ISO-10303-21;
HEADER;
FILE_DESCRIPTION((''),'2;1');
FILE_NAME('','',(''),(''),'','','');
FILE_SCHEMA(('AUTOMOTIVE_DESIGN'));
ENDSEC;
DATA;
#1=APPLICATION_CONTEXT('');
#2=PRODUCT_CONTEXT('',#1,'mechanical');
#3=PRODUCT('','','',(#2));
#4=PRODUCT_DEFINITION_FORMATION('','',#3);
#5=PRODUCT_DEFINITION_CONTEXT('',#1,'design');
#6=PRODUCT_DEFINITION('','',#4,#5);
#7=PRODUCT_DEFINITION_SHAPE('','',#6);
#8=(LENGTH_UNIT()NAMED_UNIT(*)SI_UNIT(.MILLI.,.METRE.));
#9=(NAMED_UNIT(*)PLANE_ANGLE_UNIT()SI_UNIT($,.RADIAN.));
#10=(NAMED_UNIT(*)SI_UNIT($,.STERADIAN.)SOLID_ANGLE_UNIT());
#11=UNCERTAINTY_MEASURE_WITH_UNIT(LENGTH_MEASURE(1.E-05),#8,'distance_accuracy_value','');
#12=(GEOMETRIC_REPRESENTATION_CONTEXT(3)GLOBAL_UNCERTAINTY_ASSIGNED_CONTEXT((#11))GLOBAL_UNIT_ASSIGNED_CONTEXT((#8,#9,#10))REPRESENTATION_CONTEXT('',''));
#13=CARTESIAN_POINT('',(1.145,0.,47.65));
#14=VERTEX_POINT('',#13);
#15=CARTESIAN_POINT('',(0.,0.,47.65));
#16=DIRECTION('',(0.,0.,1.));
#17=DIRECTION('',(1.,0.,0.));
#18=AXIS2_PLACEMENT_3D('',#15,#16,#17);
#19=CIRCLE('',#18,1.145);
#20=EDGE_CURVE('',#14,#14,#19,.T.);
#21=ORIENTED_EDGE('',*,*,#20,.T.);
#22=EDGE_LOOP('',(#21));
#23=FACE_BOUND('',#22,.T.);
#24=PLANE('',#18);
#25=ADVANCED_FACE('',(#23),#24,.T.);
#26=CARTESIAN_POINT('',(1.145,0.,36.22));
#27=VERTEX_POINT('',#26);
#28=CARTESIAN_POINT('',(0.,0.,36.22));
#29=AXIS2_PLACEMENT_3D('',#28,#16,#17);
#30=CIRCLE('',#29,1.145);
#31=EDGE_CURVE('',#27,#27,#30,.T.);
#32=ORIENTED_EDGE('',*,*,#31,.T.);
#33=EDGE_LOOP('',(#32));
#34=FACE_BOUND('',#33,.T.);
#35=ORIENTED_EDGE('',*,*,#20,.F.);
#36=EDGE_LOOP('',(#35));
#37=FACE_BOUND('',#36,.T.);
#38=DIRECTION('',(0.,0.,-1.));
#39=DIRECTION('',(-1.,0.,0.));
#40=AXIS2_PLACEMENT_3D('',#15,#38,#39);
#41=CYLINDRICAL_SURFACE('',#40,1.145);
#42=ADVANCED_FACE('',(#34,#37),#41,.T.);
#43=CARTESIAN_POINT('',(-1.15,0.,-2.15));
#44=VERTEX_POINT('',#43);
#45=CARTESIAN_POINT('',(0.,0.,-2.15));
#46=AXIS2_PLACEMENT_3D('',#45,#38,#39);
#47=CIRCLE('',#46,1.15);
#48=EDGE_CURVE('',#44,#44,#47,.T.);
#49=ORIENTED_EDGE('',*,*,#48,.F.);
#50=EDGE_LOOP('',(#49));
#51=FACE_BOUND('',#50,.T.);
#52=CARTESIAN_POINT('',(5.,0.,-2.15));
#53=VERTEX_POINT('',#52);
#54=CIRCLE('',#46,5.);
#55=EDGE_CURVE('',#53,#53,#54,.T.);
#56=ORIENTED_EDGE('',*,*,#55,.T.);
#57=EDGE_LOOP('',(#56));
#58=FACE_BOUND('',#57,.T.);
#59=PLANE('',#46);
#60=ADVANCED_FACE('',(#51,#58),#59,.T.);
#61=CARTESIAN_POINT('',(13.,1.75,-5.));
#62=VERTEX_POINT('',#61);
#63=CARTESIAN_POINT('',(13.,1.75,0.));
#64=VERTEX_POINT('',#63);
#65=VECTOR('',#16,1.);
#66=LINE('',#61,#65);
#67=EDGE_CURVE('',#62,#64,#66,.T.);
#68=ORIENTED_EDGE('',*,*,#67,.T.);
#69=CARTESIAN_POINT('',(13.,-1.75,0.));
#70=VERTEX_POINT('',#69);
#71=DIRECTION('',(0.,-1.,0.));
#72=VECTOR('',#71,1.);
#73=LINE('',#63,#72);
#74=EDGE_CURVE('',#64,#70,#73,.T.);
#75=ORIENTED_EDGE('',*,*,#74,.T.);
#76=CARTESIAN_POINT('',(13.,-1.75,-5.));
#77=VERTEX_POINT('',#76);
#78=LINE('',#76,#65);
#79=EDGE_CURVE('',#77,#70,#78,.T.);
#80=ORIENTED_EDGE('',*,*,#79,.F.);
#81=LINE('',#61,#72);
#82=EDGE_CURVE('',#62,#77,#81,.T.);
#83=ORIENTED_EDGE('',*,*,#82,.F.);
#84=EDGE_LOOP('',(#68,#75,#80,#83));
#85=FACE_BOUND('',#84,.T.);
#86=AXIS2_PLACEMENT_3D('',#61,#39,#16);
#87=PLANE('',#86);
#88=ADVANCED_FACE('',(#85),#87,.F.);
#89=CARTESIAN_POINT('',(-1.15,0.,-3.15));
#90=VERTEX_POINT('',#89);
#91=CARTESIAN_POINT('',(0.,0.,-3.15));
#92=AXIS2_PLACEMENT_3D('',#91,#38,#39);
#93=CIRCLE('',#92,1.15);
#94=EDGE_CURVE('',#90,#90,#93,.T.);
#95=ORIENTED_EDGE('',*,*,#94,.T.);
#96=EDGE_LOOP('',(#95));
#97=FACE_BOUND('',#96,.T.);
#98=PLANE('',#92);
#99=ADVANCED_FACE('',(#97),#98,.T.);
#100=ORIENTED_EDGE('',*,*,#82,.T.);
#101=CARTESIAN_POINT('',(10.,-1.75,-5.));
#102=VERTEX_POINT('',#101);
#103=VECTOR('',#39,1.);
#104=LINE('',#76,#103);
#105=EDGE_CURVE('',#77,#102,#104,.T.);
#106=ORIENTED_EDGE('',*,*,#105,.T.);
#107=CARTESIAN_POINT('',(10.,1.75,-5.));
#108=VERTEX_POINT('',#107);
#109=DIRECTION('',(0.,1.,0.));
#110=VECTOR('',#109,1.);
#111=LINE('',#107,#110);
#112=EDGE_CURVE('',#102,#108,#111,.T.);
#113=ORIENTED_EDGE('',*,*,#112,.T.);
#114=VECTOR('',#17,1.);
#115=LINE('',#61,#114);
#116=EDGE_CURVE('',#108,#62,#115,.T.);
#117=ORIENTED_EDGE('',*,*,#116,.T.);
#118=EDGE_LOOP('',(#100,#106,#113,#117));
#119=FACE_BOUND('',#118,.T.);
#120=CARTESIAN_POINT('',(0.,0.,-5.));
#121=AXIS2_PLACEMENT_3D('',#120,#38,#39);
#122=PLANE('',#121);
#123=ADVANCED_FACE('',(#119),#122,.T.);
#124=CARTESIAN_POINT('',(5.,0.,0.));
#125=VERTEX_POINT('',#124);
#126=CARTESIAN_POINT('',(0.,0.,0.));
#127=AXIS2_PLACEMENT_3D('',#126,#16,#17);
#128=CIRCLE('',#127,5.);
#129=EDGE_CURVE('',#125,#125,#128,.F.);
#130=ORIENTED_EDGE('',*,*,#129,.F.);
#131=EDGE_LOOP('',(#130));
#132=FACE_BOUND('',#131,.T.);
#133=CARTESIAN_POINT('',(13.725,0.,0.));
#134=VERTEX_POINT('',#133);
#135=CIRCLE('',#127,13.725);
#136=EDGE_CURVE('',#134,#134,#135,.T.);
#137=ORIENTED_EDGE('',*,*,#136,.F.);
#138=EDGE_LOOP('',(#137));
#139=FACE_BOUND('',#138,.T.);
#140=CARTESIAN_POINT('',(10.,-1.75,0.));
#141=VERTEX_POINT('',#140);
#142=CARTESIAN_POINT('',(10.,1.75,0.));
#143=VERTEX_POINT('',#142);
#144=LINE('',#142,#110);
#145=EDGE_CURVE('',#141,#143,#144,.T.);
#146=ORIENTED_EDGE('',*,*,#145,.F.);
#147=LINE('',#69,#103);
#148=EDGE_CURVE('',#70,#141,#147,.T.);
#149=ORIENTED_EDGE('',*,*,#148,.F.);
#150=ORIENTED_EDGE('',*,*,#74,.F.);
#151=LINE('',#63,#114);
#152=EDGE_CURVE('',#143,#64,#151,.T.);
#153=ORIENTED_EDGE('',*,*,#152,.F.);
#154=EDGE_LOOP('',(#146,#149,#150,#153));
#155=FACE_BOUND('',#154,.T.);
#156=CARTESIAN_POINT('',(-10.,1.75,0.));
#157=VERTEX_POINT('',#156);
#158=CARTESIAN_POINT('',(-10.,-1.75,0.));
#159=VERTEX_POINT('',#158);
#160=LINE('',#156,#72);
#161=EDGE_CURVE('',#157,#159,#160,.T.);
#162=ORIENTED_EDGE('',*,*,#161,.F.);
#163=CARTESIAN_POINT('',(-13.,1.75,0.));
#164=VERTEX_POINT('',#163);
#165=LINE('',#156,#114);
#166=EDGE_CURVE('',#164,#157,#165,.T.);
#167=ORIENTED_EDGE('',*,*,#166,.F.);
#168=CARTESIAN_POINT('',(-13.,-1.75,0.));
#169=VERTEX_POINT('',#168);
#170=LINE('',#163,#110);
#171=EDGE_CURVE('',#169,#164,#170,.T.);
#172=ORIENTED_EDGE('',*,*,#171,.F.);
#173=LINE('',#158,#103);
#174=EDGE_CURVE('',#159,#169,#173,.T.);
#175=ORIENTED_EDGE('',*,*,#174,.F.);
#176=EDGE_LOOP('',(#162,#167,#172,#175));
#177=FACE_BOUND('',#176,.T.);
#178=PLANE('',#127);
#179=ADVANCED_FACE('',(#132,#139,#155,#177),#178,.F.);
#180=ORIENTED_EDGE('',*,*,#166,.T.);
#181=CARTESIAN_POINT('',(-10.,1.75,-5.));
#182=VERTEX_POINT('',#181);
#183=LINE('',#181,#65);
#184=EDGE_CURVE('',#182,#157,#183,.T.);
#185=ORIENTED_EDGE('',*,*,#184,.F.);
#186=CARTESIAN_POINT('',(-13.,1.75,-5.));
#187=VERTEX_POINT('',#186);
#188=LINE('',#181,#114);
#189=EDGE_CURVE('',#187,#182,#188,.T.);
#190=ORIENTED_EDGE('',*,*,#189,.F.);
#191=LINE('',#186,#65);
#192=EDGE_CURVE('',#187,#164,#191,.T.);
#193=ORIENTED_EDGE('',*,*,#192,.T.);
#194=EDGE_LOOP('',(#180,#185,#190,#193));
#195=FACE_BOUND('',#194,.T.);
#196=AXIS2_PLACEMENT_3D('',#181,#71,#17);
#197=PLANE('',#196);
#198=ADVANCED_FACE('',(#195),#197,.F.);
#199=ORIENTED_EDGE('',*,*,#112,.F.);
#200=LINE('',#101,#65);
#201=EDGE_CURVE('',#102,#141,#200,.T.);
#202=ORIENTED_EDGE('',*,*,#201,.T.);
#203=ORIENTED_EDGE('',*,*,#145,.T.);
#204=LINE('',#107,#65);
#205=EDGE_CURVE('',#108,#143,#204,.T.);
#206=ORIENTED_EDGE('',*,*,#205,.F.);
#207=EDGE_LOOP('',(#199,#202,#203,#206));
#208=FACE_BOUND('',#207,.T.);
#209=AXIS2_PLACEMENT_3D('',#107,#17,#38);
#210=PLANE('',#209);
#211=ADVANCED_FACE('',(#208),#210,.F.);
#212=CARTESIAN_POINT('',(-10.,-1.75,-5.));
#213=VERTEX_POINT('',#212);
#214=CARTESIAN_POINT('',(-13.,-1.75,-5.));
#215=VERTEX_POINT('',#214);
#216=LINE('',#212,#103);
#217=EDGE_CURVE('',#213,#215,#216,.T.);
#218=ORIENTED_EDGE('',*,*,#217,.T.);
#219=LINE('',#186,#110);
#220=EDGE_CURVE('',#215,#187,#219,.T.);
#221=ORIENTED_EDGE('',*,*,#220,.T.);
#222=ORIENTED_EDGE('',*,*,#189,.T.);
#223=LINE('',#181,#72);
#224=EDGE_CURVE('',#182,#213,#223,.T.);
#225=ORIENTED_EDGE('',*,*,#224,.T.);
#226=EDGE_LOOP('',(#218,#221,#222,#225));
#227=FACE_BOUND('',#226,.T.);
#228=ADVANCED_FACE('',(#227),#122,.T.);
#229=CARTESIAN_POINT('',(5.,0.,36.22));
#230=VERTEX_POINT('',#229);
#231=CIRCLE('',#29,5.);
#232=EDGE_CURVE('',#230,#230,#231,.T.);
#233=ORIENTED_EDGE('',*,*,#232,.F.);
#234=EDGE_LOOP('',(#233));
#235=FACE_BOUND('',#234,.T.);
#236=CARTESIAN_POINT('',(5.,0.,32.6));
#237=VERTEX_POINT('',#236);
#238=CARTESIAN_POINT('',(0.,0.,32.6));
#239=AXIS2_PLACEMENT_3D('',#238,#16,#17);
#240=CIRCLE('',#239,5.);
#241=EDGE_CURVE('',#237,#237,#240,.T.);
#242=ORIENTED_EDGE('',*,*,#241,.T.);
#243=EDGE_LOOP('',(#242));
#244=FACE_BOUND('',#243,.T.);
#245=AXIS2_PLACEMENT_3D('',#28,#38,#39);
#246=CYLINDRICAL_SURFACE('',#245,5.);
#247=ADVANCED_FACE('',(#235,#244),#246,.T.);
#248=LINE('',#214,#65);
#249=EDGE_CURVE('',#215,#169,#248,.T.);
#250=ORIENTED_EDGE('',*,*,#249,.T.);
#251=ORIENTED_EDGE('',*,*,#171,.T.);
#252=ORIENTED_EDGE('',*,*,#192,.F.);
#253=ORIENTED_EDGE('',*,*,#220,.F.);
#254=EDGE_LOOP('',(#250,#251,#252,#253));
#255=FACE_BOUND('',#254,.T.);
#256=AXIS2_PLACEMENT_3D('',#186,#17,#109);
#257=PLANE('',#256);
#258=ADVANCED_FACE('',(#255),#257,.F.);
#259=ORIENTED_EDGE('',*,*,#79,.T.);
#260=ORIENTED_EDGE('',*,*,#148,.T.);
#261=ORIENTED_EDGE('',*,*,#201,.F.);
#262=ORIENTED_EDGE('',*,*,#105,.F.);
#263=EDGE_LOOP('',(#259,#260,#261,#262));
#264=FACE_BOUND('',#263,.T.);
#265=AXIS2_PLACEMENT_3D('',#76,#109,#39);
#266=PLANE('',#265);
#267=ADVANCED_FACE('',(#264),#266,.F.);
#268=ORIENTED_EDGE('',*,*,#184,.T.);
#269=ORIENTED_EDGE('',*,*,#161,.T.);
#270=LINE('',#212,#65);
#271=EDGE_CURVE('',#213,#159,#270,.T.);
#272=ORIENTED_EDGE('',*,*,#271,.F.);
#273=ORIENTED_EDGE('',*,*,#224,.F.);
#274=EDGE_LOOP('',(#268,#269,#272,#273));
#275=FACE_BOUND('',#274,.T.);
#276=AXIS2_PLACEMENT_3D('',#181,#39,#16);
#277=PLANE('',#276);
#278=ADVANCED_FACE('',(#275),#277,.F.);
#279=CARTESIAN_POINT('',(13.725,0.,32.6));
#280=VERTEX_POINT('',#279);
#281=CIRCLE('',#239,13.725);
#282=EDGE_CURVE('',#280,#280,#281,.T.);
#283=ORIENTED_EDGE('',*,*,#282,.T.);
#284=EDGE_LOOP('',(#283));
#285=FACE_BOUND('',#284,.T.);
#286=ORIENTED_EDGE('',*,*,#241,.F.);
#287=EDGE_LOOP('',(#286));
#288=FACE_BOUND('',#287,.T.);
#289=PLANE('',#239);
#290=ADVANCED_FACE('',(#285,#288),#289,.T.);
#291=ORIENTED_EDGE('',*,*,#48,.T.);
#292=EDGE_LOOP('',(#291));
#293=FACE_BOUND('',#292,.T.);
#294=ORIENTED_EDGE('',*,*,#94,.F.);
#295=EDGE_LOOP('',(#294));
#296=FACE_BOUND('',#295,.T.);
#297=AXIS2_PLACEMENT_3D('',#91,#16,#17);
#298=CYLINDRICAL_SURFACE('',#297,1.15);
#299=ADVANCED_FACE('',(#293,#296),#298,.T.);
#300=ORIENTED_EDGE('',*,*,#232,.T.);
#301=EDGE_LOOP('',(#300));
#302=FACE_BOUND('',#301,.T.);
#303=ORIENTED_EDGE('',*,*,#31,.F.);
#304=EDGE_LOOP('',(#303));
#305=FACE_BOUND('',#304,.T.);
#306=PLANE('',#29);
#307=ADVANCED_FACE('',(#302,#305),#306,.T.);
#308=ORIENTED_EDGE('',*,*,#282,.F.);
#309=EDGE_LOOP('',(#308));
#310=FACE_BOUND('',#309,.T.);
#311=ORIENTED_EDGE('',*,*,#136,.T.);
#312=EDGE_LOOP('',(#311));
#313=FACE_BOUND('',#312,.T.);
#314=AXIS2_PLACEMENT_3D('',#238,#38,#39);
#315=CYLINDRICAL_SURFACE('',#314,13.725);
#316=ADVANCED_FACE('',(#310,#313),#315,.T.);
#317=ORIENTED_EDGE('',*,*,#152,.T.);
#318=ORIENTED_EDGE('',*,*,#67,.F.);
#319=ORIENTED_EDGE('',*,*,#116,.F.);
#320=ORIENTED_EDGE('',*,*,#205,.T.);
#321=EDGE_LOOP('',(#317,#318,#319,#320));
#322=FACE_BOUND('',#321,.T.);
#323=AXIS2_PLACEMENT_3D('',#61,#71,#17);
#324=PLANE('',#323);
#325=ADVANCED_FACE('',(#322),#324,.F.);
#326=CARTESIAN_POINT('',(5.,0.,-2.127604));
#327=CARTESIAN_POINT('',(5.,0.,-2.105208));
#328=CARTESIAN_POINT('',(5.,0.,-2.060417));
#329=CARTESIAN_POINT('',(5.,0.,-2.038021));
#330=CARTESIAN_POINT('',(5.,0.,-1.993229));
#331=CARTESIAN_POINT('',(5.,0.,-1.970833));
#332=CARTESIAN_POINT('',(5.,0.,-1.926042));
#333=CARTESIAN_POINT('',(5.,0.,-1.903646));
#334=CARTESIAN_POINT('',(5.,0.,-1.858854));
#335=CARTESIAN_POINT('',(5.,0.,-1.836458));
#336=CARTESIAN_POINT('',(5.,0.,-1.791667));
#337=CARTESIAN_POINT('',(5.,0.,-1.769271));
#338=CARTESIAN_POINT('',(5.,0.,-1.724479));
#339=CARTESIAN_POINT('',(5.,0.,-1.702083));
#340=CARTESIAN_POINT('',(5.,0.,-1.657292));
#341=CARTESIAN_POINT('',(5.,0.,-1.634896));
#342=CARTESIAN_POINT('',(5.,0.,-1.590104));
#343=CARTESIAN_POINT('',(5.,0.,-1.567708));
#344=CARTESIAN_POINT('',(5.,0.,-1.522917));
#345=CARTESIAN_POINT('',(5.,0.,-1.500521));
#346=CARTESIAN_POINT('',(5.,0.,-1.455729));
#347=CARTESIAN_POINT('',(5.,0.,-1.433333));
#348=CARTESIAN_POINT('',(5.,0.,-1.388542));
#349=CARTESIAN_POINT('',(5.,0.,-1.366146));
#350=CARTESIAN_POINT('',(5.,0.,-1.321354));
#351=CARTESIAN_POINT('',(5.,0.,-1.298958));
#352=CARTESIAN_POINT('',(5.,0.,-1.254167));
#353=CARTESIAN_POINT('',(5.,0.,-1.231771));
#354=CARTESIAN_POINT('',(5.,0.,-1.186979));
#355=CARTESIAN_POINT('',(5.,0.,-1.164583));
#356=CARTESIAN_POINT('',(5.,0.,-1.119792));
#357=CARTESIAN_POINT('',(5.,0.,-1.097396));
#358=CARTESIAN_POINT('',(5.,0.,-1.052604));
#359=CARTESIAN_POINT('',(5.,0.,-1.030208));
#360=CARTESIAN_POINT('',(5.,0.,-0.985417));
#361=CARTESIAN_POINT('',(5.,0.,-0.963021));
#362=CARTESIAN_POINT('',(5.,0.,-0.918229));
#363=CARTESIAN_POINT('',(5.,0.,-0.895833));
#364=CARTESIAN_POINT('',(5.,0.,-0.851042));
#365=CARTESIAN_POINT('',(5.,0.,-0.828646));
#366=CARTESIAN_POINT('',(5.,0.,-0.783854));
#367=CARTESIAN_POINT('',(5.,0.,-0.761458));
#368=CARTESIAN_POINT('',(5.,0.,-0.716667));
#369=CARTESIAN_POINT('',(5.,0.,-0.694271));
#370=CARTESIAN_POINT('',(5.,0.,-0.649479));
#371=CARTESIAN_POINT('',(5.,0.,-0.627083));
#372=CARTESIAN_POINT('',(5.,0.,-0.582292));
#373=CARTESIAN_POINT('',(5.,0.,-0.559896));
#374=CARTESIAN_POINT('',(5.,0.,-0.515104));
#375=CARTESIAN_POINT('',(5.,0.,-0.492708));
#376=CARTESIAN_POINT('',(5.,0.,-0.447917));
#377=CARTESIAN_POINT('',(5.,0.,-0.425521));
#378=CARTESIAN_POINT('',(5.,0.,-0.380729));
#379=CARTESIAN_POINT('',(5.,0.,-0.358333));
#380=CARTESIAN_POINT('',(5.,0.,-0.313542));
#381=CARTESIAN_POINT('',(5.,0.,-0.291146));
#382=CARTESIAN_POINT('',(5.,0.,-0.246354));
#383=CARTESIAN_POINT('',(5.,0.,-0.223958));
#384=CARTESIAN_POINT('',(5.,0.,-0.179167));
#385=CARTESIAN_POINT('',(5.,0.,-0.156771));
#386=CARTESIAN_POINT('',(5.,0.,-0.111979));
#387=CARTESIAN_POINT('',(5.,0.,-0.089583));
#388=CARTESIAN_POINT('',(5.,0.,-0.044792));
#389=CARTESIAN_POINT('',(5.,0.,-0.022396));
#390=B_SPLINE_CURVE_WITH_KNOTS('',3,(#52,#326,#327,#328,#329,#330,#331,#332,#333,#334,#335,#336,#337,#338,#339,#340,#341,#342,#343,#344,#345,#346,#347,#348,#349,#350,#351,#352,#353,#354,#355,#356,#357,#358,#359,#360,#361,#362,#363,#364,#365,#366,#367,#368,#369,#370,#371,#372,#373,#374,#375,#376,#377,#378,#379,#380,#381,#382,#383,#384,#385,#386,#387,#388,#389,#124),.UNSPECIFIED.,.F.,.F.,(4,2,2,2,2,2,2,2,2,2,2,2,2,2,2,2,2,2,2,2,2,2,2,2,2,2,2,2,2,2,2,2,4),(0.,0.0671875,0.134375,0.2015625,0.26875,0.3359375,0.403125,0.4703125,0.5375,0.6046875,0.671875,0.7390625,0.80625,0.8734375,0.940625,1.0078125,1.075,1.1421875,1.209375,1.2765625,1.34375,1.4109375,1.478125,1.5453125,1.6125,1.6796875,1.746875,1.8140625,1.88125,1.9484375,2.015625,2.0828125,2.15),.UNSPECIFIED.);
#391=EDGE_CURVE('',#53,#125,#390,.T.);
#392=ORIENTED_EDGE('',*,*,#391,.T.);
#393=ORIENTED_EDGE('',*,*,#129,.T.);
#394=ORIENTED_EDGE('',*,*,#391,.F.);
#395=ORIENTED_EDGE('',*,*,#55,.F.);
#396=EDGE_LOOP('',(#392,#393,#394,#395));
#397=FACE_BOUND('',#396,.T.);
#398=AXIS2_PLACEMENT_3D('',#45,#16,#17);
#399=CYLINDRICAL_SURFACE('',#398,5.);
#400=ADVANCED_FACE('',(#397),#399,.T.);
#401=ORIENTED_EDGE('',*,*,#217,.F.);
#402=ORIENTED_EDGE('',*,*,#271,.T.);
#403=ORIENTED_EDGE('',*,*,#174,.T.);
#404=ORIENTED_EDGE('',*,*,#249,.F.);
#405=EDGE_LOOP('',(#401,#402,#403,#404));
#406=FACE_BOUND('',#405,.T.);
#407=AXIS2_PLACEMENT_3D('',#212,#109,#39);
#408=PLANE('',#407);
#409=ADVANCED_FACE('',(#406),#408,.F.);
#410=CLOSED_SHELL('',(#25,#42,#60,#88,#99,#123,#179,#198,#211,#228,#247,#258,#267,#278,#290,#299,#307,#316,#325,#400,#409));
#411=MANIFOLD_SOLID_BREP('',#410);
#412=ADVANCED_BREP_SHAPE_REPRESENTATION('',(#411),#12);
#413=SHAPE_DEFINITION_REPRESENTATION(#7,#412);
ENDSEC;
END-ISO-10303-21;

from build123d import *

# Parameters (mm, degrees)
SKETCH1_R           = 13.725
BOSS_EXTRUDE1_DEPTH = 32.6
SKETCH2_R           = 5
BOSS_EXTRUDE2_DEPTH = 3.62
SKETCH3_R           = 1.145
BOSS_EXTRUDE3_DEPTH = 11.43
BOSS_EXTRUDE4_START = 2.15
SKETCH4_R           = 5
BOSS_EXTRUDE4_DEPTH = 2.15
SKETCH5_R           = 1.15
BOSS_EXTRUDE5_DEPTH = 1
SKETCH6_W           = 3
SKETCH6_H           = 3.5
BOSS_EXTRUDE6_DEPTH = 5


with BuildPart() as part:
    # Sketch1 → Boss-Extrude1 (new body)
    with BuildSketch(Plane.XY):
        Circle(SKETCH1_R)
    extrude(amount=BOSS_EXTRUDE1_DEPTH)

    # Sketch2 → Boss-Extrude2 (add)
    with BuildSketch(Plane.XY.offset(32.6)):
        Circle(SKETCH2_R)
    extrude(amount=BOSS_EXTRUDE2_DEPTH)

    # Sketch3 → Boss-Extrude3 (add)
    with BuildSketch(Plane.XY.offset(36.22)):
        Circle(SKETCH3_R)
    extrude(amount=BOSS_EXTRUDE3_DEPTH)

    # Sketch4 → Boss-Extrude4 (add)
    with BuildSketch(Plane(origin=(0, 0, 0), x_dir=(-1, 0, 0), z_dir=(0, 0, -1)).offset(BOSS_EXTRUDE4_START)):
        with Locations(Location((0, 0, 0), (0, 0, 180))):
            Circle(SKETCH4_R)
    extrude(amount=-BOSS_EXTRUDE4_DEPTH)

    # Sketch5 → Boss-Extrude5 (add)
    with BuildSketch(Plane(origin=(0, 0, -2.15), x_dir=(-1, 0, 0), z_dir=(0, 0, -1))):
        Circle(SKETCH5_R)
    extrude(amount=BOSS_EXTRUDE5_DEPTH)

    # Sketch6 → Boss-Extrude6 (add)
    with BuildSketch(Plane(origin=(0, 0, 0), x_dir=(-1, 0, 0), z_dir=(0, 0, -1))):
        with Locations((-11.5, 0)):
            Rectangle(SKETCH6_W, SKETCH6_H)
        with Locations((11.5, 0)):
            Rectangle(SKETCH6_W, SKETCH6_H)
    extrude(amount=BOSS_EXTRUDE6_DEPTH)


solid = part.part
